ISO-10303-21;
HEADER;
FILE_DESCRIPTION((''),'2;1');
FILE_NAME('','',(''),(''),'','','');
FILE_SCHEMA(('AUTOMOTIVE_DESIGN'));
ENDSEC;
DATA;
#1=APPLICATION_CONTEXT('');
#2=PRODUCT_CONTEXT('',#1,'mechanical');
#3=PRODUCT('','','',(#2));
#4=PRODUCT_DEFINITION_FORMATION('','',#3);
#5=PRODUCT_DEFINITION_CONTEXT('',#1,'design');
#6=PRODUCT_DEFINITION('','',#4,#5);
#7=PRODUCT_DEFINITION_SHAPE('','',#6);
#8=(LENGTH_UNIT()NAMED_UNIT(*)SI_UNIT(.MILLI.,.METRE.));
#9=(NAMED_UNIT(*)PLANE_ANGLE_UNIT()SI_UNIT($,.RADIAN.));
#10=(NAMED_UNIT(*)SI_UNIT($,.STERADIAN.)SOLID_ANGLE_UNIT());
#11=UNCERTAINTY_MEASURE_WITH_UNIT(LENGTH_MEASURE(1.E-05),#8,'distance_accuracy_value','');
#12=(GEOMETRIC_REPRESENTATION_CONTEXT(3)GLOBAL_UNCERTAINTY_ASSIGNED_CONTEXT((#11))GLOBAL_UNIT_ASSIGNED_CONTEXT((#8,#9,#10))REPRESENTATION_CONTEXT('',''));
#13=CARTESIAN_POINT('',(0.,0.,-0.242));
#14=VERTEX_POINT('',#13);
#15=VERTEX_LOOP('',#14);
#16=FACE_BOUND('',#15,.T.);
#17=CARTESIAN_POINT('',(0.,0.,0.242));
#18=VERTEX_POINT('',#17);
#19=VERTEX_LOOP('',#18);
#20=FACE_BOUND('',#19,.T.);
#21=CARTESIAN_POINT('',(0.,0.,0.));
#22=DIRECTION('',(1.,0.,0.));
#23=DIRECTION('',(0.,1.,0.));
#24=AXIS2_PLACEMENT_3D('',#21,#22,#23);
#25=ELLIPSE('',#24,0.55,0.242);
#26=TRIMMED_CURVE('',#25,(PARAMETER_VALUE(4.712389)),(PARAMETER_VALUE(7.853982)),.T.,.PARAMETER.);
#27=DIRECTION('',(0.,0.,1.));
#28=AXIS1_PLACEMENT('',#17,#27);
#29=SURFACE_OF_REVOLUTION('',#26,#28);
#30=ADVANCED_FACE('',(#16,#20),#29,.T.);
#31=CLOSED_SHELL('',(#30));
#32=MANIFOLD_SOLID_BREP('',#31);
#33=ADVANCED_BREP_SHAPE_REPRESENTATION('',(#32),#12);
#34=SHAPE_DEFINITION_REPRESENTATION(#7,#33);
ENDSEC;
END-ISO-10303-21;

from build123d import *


with BuildPart() as part:
    # Sketch1 → Revolve1 (revolve)
    with BuildSketch(Plane(origin=(0, 0, 0), x_dir=(0, 0, -1), z_dir=(1, 0, 0))):
        with BuildLine():
            Line((-0.242, 0), (0.242, 0))
            add(Edge.make_bspline(
                [(0.242, 0), (0.242, 0.55), (0, 0.55), (-0.242, 0.55), (-0.242, 0)],
                knots=[4.71238898, 4.71238898, 4.71238898, 6.283185307, 6.283185307, 7.853981634, 7.853981634, 7.853981634], degree=2, weights=[1, 0.707106781, 1, 0.707106781, 1]))
        make_face()
    revolve(axis=Axis((0, 0, 0.242), (0, 0, -1)))


solid = part.part
